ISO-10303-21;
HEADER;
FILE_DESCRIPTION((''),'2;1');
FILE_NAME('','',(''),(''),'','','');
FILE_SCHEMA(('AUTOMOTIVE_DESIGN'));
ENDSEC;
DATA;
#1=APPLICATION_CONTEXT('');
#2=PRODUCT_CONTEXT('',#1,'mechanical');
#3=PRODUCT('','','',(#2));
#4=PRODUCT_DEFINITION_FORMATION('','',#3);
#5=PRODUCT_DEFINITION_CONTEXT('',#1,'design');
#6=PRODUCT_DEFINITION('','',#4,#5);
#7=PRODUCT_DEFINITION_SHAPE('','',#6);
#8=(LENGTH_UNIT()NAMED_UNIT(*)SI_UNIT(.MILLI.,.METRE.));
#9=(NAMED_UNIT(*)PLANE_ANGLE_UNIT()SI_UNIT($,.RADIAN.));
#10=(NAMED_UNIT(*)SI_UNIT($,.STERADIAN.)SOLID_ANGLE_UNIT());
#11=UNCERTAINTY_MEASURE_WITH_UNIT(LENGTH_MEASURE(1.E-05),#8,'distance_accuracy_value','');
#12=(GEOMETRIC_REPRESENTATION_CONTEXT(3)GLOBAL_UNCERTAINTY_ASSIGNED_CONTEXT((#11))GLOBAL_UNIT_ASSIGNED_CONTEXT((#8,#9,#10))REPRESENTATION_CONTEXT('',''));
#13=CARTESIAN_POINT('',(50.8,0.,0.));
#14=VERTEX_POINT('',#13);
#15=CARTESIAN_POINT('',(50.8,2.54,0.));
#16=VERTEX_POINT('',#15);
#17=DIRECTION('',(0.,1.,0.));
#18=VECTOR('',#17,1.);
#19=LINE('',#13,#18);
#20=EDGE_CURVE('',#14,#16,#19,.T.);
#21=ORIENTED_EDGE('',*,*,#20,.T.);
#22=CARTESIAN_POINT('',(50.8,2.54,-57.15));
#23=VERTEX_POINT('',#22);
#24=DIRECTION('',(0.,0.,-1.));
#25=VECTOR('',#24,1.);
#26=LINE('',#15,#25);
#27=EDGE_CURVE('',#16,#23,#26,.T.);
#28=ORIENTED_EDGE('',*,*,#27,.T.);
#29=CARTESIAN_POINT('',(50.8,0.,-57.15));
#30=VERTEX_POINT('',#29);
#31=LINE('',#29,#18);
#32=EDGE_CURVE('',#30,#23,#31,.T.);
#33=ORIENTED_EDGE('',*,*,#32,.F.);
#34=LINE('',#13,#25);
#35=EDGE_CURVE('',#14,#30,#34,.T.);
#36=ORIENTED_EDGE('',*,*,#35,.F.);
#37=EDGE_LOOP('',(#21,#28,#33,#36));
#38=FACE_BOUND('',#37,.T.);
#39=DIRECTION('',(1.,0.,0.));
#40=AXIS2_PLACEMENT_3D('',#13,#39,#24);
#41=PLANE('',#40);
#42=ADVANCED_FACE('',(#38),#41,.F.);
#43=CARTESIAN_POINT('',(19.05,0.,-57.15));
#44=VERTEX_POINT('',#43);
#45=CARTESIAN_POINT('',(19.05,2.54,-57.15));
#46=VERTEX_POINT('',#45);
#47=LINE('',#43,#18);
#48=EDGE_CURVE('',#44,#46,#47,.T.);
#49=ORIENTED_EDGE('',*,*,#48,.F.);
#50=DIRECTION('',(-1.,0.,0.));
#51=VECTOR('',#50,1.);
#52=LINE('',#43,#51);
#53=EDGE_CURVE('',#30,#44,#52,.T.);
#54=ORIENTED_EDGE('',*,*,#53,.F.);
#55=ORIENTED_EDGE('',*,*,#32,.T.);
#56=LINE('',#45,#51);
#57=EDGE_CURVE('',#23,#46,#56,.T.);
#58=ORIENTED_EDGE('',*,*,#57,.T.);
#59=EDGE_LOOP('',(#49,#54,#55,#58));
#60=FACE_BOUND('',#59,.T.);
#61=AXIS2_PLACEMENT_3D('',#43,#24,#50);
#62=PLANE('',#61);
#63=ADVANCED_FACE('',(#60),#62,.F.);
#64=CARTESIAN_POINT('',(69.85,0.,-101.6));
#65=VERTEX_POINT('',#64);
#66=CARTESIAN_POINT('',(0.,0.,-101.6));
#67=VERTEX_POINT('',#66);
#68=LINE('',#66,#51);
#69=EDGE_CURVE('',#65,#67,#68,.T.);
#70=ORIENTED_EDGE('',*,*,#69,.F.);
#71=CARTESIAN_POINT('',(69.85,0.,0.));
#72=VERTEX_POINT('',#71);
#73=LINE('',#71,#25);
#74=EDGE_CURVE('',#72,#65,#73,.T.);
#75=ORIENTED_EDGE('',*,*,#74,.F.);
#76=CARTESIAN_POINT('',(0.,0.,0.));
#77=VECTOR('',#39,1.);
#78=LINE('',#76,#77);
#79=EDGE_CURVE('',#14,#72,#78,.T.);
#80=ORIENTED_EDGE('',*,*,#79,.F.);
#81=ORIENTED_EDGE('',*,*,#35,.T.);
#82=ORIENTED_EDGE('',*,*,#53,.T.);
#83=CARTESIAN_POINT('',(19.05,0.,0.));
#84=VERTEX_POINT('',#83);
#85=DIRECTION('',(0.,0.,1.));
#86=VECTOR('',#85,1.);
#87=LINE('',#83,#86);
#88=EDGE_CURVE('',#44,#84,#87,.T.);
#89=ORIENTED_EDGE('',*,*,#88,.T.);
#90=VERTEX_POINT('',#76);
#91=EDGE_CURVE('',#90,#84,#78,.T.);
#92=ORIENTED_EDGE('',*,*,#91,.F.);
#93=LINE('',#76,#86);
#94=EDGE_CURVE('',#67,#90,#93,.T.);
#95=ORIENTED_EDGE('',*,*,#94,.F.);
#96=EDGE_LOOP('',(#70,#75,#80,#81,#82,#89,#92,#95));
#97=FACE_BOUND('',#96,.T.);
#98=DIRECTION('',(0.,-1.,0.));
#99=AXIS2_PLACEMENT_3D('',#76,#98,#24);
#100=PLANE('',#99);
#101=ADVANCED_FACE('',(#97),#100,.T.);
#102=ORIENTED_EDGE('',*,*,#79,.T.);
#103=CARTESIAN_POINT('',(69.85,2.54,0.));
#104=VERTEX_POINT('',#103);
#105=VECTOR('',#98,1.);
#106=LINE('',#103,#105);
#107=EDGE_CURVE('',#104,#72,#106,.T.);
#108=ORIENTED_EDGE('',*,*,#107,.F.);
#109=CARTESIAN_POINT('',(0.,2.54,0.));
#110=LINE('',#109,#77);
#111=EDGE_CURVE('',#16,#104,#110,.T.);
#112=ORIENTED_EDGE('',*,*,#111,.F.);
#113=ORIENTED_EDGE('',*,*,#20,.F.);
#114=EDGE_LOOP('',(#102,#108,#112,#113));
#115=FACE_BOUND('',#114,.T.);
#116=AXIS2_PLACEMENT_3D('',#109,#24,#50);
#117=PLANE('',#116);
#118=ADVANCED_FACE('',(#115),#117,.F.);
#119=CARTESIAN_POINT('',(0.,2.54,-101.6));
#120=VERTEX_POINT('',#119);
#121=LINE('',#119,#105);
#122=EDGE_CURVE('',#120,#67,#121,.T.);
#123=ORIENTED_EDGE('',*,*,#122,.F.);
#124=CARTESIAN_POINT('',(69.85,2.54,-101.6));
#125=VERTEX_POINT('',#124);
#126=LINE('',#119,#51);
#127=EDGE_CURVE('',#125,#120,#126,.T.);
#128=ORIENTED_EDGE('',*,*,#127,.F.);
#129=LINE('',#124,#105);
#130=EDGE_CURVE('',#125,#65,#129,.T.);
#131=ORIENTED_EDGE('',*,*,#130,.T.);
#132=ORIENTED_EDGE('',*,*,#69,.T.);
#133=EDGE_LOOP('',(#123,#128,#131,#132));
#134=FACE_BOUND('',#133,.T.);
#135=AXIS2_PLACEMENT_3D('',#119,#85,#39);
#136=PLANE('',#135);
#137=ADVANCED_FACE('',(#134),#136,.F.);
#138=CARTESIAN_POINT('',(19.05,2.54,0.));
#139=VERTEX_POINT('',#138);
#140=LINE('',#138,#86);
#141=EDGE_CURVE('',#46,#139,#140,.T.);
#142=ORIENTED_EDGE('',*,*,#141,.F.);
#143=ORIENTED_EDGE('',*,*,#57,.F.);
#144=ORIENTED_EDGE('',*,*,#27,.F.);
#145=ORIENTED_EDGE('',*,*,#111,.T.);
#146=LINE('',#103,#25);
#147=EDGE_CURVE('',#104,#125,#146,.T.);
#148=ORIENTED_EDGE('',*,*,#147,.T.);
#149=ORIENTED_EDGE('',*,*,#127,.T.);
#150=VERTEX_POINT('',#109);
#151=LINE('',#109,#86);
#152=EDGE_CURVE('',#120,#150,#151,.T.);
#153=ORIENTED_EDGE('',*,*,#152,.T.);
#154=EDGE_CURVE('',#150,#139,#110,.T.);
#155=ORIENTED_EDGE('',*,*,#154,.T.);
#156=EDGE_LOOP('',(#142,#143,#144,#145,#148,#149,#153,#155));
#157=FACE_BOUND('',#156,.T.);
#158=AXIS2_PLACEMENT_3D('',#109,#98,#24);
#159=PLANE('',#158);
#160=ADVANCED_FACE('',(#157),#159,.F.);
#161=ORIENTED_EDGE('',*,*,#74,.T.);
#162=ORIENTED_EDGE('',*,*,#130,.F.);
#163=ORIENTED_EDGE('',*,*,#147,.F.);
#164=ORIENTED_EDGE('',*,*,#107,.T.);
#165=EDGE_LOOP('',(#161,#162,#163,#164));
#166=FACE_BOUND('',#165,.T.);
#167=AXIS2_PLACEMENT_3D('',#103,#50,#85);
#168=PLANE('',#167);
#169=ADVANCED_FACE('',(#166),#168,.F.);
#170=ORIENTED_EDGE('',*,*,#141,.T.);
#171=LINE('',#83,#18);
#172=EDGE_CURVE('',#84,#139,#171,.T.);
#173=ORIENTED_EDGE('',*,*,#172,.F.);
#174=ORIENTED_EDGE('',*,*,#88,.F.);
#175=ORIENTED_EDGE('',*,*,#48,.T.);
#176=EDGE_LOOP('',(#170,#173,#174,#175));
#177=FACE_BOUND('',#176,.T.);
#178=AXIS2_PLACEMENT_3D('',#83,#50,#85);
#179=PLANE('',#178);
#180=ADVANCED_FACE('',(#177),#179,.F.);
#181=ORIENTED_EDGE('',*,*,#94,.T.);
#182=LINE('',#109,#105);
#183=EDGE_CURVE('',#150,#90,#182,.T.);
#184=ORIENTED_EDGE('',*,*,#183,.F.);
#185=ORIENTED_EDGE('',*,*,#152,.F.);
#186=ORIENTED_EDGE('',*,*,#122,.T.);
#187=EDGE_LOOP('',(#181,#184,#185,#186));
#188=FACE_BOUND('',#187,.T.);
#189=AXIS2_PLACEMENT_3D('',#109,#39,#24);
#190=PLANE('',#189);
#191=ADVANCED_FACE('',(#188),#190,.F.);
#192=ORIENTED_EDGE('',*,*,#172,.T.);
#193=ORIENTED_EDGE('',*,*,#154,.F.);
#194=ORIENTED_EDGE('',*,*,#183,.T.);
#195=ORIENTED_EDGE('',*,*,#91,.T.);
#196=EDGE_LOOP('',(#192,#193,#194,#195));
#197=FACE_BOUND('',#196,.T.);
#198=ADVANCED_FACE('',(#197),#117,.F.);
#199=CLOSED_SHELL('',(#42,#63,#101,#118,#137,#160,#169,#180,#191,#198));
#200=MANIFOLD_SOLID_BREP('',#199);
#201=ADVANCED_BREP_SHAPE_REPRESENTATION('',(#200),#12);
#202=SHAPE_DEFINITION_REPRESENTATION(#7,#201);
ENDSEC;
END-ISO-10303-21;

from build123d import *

# Parameters (mm, degrees)
SKETCH1_W           = 69.85
SKETCH1_H           = 101.6
BOSS_EXTRUDE1_DEPTH = 2.54
SKETCH2_W           = 31.75
SKETCH2_H           = 57.15
CUT_EXTRUDE1_DEPTH  = 2.54


with BuildPart() as part:
    # Sketch1 → Boss-Extrude1 (new body)
    with BuildSketch(Plane(origin=(0, 0, 0), x_dir=(1, 0, 0), z_dir=(0, 1, 0))):
        with Locations((34.925, 50.8)):
            Rectangle(SKETCH1_W, SKETCH1_H)
    extrude(amount=BOSS_EXTRUDE1_DEPTH)

    # Sketch2 → Cut-Extrude1 (cut)
    with BuildSketch(Plane(origin=(0, 2.54, 0), x_dir=(1, 0, 0), z_dir=(0, 1, 0))):
        with Locations((34.925, 28.575)):
            Rectangle(SKETCH2_W, SKETCH2_H)
    extrude(amount=-CUT_EXTRUDE1_DEPTH, mode=Mode.SUBTRACT)


solid = part.part
